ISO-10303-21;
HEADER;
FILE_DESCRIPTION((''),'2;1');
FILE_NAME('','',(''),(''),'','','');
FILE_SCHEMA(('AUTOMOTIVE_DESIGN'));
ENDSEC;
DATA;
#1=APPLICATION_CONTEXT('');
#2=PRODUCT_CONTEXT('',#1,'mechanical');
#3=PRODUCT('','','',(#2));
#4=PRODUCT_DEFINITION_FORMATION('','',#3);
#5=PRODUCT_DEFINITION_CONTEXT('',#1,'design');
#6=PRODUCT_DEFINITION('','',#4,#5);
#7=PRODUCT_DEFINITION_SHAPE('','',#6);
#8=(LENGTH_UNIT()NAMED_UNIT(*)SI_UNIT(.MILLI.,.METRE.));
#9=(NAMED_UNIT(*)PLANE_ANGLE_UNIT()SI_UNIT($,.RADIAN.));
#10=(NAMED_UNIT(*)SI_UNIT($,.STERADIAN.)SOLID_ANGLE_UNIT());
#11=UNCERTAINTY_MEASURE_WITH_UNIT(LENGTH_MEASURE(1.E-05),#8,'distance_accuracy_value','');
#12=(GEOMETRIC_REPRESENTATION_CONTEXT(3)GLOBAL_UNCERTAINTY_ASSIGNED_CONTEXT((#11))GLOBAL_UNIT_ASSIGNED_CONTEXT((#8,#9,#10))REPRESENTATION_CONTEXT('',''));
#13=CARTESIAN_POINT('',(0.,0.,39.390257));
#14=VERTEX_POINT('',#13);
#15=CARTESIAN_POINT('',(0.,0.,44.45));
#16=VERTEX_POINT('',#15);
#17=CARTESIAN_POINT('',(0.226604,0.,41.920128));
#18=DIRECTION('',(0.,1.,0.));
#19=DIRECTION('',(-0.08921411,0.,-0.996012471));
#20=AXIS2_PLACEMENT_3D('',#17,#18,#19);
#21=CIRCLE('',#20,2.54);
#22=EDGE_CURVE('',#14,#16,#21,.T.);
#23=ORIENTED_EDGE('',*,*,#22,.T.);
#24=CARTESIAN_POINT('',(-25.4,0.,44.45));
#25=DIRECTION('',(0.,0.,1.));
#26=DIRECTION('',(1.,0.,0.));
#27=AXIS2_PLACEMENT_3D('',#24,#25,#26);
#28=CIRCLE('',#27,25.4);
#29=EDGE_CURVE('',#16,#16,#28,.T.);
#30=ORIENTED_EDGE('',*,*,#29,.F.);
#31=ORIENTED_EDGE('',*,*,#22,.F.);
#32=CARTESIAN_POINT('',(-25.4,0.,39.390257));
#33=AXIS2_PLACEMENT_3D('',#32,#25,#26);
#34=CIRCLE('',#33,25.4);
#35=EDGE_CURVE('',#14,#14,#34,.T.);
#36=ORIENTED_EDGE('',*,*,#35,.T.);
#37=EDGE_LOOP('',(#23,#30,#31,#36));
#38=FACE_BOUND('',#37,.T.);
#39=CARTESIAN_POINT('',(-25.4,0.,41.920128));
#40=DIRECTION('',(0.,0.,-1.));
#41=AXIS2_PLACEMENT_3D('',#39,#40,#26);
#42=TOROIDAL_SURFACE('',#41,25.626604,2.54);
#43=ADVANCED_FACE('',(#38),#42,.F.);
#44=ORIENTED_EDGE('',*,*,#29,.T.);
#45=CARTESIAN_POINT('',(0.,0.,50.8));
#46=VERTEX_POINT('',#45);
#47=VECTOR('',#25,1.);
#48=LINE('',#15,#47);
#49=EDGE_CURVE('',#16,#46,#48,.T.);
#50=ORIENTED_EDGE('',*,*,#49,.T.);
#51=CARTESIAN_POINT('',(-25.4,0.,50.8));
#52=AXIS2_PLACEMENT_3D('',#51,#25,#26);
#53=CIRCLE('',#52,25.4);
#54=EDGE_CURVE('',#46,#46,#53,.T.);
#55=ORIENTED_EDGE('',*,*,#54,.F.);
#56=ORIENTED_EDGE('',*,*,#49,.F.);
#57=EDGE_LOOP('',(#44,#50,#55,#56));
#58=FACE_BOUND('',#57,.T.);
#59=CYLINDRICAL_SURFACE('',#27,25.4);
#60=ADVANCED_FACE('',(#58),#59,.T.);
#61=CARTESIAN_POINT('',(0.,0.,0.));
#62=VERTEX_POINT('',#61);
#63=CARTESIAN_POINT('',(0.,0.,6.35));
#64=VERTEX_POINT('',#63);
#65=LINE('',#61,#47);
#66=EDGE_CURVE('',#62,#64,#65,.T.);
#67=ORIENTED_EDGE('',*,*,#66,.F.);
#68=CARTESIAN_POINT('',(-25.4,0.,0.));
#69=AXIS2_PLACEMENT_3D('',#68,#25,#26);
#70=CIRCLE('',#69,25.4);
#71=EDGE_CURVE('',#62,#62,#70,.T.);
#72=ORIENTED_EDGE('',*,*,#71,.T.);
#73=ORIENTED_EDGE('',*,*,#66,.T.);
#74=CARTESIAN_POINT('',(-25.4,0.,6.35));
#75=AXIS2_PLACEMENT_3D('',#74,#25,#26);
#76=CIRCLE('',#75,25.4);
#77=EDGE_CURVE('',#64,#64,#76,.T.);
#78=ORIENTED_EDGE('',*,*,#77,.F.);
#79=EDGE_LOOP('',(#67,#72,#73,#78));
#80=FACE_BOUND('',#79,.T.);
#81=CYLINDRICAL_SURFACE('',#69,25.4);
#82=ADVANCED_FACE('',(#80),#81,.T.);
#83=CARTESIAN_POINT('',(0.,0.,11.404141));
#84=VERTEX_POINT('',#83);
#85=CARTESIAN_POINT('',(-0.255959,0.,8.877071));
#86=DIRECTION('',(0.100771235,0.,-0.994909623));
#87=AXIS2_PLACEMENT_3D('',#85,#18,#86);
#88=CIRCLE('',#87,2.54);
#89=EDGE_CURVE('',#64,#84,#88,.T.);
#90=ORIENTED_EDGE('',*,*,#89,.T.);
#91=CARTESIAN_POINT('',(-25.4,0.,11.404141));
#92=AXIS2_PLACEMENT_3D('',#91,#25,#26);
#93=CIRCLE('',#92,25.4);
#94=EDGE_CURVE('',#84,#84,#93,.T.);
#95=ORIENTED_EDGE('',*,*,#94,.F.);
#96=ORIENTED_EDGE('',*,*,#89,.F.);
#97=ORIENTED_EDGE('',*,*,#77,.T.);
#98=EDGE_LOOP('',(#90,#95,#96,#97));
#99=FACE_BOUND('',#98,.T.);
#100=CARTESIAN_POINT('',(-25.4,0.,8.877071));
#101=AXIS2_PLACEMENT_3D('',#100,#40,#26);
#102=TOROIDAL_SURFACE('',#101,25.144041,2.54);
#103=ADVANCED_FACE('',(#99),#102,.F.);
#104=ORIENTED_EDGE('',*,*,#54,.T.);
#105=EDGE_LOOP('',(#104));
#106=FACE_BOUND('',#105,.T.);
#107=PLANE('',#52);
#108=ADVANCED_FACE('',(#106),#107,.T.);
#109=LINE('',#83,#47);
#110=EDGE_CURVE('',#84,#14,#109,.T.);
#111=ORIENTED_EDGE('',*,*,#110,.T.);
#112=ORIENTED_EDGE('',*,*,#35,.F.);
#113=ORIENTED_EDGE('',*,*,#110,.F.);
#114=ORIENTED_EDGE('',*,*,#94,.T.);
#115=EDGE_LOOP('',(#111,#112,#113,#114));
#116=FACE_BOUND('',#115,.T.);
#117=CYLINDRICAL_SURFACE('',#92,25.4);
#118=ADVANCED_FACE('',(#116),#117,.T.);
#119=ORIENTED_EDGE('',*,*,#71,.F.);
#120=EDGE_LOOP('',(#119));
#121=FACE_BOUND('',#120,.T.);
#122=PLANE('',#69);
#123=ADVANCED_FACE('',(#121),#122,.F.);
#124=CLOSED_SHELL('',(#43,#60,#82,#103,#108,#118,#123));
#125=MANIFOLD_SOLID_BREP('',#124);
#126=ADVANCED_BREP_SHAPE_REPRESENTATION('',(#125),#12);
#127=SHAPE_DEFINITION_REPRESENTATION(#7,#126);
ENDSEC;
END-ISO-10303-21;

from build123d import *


with BuildPart() as f1:
    # F0 (on Front) → F1 (revolve)
    with BuildSketch(Plane.XZ):
        with BuildLine():
            Line((-25.4, 0), (0, 0))
            Line((0, 0), (0, 6.35))
            ThreePointArc((0, 6.35), (-2.795959, 8.87707), (0, 11.404141))
            Line((0, 11.404141), (0, 39.390257))
            ThreePointArc((0, 39.390257), (-2.313396, 41.920128), (0, 44.45))
            Line((0, 44.45), (0, 50.8))
            Line((0, 50.8), (-25.4, 50.8))
            Line((-25.4, 50.8), (-25.4, 0))
        make_face()
    revolve(axis=Axis((-25.4, 0, 25.4), (0, 0, 1)))


solid = f1.part
